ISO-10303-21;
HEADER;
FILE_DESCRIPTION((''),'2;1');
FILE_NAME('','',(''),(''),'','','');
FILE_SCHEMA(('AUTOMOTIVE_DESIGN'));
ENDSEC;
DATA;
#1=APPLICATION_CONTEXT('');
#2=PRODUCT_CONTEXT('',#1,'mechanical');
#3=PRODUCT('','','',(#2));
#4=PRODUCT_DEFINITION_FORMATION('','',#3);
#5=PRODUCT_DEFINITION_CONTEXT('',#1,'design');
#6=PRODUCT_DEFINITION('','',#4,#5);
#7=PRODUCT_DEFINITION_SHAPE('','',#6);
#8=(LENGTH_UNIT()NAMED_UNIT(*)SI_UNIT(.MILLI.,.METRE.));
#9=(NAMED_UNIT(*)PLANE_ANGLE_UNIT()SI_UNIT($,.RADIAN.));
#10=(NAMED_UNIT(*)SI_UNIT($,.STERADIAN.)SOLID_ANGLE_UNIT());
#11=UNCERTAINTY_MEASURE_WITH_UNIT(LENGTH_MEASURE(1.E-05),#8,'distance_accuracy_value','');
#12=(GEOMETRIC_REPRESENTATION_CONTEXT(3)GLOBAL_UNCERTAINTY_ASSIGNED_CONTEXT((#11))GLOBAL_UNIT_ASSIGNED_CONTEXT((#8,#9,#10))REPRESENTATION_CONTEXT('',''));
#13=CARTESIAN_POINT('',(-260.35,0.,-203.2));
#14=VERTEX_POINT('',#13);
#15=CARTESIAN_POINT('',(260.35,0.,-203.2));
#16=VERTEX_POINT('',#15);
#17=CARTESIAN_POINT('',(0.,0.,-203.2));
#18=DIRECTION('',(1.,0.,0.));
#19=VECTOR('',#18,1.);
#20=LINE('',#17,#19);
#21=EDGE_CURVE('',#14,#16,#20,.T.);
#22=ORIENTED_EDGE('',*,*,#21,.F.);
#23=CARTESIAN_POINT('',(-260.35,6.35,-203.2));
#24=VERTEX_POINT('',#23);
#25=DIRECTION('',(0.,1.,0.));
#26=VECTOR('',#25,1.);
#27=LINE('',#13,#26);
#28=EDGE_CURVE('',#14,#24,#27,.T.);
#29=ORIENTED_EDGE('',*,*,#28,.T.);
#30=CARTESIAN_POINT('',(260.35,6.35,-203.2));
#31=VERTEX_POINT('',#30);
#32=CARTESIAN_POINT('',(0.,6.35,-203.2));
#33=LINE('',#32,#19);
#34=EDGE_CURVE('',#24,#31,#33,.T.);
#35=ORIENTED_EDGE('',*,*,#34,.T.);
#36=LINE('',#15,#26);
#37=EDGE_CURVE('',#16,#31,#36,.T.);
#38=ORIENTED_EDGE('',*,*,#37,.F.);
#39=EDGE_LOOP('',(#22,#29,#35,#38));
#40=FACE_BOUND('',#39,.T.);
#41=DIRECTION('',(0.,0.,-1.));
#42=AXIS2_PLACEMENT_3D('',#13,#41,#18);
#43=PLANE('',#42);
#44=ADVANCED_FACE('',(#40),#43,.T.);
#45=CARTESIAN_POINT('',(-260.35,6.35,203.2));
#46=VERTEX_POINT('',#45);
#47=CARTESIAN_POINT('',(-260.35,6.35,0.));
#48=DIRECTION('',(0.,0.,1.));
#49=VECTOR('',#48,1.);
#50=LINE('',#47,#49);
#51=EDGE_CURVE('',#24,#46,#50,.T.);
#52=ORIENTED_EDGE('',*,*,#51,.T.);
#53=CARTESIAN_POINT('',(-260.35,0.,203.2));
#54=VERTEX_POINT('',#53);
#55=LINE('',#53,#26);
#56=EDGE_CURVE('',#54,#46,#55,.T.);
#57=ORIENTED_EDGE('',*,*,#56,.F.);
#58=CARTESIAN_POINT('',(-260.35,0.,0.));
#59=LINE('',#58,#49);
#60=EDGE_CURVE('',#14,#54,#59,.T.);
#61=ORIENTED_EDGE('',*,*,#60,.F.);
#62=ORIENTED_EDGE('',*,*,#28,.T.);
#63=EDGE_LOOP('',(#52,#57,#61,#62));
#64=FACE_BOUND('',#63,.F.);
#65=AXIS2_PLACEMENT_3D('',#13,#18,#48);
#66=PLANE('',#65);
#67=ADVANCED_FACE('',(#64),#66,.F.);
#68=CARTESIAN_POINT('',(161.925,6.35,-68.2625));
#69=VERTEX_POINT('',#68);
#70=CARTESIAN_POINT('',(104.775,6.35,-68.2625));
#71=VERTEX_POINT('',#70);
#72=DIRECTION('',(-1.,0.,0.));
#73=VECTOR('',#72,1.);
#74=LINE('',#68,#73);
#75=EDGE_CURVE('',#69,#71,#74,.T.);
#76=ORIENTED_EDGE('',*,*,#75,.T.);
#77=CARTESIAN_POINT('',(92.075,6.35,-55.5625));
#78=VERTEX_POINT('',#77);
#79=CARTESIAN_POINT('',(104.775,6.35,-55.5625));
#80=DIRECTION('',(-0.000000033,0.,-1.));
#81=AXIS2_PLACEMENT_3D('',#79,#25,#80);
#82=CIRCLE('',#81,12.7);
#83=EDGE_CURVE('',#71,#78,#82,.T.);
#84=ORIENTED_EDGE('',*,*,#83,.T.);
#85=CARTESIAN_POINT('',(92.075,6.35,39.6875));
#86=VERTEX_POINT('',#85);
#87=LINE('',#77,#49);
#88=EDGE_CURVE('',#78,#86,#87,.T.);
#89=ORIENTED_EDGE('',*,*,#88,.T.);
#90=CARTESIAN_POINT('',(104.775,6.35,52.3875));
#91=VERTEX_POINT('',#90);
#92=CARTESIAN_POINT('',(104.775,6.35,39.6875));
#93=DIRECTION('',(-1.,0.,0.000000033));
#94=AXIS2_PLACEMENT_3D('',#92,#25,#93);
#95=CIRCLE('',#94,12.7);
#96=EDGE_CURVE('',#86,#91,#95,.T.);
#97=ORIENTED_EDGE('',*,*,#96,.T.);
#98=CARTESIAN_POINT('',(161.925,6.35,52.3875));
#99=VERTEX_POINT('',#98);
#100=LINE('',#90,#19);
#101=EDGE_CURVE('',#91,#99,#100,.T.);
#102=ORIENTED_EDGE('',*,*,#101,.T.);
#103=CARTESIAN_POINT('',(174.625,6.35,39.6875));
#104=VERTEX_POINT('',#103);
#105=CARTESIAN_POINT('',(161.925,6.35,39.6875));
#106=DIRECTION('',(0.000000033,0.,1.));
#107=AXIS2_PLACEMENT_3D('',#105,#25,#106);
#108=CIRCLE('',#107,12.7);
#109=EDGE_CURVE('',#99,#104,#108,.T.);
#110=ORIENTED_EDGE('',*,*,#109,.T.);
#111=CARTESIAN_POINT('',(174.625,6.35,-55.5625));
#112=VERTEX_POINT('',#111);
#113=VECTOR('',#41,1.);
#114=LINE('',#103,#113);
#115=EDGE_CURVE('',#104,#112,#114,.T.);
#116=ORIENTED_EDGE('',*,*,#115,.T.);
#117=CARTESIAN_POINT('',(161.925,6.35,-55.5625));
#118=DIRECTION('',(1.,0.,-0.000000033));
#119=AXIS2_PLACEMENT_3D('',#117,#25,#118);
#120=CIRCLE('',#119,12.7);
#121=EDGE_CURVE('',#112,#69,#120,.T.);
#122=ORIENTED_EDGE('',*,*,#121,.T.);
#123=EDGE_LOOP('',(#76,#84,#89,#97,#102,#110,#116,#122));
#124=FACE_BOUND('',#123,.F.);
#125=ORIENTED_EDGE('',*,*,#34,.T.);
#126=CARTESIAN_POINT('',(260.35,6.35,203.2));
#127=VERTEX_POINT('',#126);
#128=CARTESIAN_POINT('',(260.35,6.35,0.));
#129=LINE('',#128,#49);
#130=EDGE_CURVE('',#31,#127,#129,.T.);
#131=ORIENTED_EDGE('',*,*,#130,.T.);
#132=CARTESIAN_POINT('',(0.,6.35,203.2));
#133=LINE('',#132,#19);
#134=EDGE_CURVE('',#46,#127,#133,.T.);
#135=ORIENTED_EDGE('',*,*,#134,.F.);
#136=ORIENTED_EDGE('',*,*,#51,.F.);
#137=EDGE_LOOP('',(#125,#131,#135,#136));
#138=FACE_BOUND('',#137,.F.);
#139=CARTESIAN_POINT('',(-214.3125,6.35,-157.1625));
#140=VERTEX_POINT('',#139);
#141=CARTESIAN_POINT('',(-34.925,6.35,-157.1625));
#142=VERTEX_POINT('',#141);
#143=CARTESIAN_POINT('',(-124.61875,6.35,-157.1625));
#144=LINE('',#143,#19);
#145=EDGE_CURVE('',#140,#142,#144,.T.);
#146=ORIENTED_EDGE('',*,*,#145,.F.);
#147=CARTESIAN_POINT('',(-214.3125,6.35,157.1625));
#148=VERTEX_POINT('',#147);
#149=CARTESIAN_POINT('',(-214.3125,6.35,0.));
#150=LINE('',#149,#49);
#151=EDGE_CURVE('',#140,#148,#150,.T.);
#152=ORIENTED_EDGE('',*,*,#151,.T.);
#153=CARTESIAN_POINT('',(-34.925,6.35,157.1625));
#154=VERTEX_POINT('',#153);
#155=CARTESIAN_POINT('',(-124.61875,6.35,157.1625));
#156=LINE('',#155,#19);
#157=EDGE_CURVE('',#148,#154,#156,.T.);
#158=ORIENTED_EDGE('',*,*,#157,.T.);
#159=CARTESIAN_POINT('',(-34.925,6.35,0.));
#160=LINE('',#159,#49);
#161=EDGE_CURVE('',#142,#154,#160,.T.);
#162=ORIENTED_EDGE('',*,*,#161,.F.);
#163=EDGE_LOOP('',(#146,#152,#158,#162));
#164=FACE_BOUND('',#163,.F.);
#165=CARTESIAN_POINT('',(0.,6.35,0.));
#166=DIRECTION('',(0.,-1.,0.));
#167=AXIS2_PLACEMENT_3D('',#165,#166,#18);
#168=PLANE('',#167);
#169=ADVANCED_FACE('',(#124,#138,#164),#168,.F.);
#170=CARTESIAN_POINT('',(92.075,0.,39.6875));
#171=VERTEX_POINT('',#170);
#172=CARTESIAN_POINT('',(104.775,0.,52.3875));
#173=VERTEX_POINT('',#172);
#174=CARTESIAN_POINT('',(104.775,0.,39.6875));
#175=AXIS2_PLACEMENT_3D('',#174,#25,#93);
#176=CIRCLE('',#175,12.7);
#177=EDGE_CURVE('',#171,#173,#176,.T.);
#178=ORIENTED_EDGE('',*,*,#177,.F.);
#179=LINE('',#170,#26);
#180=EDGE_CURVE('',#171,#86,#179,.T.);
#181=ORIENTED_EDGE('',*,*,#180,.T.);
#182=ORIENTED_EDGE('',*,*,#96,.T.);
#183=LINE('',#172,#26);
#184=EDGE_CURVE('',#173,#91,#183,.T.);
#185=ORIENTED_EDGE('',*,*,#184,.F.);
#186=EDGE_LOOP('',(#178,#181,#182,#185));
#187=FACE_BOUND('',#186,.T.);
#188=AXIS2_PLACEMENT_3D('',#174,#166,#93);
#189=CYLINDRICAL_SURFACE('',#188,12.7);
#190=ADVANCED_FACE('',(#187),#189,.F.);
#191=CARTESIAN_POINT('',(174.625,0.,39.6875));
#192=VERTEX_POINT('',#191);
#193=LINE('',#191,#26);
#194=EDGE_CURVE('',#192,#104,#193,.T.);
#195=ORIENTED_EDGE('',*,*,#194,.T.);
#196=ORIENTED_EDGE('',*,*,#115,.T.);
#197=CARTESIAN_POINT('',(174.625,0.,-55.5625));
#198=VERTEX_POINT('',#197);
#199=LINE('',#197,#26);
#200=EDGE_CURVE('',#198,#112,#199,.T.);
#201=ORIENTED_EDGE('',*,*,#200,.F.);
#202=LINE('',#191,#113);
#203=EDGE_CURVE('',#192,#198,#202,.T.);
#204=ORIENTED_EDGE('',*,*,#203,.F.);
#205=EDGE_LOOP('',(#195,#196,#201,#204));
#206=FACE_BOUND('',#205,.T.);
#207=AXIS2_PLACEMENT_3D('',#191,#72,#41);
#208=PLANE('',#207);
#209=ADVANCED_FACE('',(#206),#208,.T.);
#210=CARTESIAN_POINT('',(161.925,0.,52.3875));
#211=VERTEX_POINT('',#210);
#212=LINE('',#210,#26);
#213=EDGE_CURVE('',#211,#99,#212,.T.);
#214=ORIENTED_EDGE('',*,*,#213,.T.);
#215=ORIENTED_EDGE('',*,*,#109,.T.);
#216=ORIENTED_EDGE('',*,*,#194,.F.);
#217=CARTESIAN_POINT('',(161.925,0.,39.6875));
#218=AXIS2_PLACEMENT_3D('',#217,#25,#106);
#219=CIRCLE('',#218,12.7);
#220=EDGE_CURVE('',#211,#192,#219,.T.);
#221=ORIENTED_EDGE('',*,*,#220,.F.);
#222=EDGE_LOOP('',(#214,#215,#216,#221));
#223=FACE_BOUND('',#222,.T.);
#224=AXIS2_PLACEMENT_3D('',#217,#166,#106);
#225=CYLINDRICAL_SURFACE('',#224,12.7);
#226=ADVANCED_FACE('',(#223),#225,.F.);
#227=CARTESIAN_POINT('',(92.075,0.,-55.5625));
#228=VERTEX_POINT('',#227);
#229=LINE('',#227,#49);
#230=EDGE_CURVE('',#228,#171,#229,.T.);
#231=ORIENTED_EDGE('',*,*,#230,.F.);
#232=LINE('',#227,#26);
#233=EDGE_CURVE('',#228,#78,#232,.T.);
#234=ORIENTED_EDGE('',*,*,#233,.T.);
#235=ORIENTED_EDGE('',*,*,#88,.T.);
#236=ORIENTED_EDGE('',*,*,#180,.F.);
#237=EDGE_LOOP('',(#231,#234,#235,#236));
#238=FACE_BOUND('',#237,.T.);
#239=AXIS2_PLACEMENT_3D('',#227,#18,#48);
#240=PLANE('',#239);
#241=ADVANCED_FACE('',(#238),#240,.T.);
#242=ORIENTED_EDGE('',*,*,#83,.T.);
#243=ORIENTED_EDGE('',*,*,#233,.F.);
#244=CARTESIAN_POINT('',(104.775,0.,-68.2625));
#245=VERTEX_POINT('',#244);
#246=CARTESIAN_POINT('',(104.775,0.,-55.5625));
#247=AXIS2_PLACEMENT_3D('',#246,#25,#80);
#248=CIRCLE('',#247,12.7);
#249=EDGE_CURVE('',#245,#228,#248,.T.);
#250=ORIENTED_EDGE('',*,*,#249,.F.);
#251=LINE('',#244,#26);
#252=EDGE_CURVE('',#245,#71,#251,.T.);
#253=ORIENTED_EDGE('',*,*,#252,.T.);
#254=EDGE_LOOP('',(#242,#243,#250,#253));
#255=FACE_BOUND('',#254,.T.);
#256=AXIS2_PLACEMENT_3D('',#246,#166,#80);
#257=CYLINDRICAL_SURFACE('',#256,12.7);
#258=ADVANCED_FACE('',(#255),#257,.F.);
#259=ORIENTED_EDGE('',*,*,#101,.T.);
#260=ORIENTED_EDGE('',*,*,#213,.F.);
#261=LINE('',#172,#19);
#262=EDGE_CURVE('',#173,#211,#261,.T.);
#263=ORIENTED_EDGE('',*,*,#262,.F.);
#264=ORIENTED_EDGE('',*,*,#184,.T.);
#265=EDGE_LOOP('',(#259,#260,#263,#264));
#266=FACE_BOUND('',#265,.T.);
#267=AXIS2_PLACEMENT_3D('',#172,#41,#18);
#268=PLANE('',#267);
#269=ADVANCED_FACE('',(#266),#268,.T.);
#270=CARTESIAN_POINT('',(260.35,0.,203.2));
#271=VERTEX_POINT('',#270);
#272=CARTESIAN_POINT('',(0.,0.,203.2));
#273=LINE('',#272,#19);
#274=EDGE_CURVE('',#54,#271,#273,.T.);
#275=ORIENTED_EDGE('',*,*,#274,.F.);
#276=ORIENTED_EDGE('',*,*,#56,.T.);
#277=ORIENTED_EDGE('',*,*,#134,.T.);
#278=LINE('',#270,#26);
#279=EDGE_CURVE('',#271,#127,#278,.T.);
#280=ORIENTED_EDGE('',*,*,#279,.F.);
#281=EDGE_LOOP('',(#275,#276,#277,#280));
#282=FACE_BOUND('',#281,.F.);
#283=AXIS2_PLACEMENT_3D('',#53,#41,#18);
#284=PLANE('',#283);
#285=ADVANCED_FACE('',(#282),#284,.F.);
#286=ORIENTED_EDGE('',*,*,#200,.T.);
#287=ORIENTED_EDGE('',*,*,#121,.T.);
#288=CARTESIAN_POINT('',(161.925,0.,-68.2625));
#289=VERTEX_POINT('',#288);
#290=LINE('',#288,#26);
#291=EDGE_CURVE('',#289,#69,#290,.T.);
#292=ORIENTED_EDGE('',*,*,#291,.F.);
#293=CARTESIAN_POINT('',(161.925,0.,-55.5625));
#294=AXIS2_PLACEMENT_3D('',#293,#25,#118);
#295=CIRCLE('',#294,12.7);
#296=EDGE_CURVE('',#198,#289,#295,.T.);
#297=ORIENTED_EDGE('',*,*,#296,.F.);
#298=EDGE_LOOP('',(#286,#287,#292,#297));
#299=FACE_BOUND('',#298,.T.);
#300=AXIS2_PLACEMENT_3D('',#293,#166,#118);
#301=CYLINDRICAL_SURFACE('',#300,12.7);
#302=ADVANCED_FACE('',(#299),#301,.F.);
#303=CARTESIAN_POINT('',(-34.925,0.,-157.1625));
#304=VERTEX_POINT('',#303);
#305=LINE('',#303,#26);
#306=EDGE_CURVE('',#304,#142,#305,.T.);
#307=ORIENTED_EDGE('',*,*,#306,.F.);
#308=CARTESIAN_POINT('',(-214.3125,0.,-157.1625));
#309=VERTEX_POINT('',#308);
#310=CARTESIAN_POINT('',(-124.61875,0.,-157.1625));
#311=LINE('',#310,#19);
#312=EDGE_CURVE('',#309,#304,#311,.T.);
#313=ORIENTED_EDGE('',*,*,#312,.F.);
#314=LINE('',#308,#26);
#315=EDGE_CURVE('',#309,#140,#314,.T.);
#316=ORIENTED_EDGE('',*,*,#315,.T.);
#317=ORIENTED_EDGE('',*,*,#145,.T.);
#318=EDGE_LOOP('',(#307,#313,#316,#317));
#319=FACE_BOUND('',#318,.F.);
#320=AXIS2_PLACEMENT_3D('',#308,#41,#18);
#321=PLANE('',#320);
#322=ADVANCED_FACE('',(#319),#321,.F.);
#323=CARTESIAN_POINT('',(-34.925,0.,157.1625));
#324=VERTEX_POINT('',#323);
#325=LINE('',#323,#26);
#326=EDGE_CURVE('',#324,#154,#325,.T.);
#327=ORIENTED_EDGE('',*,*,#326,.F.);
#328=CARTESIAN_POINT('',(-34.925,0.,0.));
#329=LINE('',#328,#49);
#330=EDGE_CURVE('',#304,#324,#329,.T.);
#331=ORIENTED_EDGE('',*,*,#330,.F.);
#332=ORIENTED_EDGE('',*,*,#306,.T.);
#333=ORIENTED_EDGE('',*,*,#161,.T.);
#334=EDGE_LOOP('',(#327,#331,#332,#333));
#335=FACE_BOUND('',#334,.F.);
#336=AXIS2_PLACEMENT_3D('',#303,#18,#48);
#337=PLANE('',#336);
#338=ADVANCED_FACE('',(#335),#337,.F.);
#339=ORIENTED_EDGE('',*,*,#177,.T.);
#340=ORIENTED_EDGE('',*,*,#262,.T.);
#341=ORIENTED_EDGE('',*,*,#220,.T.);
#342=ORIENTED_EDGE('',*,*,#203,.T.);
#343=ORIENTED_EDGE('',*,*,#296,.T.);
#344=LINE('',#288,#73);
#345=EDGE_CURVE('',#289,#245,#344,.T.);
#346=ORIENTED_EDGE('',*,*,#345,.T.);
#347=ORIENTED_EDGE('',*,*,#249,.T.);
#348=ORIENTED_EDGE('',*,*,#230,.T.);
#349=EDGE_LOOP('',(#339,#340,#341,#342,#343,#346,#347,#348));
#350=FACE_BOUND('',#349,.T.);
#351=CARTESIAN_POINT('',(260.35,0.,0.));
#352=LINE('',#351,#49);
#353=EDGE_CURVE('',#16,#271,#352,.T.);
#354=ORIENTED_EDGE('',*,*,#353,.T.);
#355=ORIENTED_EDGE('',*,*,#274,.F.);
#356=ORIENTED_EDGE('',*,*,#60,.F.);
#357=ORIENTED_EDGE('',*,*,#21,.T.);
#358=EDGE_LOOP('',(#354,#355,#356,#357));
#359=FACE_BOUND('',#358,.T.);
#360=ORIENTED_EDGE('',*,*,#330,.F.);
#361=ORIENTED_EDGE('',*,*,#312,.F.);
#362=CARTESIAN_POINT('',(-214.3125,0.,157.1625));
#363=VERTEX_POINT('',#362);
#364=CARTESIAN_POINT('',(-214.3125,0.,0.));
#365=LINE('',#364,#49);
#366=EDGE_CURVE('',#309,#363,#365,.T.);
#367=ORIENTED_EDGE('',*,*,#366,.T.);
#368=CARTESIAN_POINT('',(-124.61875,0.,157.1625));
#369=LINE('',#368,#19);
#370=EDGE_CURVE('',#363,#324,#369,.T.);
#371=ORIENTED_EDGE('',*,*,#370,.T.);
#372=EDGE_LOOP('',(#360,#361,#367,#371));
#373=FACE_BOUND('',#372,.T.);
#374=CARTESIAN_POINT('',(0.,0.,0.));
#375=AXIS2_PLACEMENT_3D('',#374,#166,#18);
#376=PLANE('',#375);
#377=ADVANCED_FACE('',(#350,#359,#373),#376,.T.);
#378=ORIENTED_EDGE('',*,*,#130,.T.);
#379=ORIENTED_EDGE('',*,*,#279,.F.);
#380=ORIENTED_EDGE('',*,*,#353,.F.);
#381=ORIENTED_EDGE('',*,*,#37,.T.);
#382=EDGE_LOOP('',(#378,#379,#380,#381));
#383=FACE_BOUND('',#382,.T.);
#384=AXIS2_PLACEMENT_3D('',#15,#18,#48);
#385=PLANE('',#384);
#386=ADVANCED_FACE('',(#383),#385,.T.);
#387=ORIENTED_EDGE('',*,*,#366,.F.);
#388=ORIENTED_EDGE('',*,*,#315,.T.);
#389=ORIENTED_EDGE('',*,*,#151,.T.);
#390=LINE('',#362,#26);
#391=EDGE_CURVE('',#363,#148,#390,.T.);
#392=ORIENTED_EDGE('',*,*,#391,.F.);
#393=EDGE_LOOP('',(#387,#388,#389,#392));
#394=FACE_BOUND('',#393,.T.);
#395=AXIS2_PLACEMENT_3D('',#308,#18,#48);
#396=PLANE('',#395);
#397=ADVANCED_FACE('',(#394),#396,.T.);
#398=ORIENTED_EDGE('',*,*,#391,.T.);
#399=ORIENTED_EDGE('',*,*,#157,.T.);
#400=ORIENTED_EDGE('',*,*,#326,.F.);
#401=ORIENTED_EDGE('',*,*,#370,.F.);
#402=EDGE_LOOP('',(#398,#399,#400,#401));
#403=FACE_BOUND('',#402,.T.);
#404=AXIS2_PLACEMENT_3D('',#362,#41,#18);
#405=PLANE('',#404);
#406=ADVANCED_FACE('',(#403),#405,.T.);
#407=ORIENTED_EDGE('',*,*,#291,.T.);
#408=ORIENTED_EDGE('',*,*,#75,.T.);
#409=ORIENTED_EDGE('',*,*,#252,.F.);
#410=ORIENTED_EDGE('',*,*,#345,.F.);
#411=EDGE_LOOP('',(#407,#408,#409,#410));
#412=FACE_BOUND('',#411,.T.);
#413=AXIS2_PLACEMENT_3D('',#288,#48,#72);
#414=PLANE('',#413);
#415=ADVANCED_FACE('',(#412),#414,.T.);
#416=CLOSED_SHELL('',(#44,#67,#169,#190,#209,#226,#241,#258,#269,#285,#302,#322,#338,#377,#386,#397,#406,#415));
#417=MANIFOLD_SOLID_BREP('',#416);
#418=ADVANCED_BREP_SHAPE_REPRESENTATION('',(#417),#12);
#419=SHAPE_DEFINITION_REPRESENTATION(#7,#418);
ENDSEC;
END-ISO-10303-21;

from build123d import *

# Parameters (mm, degrees)
F0_W     = 520.7
F0_H     = 406.4
F0_W_2   = 179.3875
F0_H_2   = 314.325
F1_DEPTH = 6.35


with BuildPart() as f1:
    # F0 (on Front) → F1 (new body)
    with BuildSketch(Plane.XZ):
        Rectangle(F0_W, F0_H)
        with Locations((-124.61875, 0)):
            Rectangle(F0_W_2, F0_H_2, mode=Mode.SUBTRACT)
        with BuildLine():
            ThreePointArc((92.075, 39.6875), (95.794744, 48.667756), (104.775, 52.3875))
            Line((104.775, 52.3875), (161.925, 52.3875))
            ThreePointArc((161.925, 52.3875), (170.905256, 48.667756), (174.625, 39.6875))
            Line((174.625, 39.6875), (174.625, -55.5625))
            ThreePointArc((174.625, -55.5625), (170.905256, -64.542756), (161.925, -68.2625))
            Line((161.925, -68.2625), (104.775, -68.2625))
            ThreePointArc((104.775, -68.2625), (95.794744, -64.542756), (92.075, -55.5625))
            Line((92.075, -55.5625), (92.075, 39.6875))
        make_face(mode=Mode.SUBTRACT)
    extrude(amount=-F1_DEPTH)


solid = f1.part
